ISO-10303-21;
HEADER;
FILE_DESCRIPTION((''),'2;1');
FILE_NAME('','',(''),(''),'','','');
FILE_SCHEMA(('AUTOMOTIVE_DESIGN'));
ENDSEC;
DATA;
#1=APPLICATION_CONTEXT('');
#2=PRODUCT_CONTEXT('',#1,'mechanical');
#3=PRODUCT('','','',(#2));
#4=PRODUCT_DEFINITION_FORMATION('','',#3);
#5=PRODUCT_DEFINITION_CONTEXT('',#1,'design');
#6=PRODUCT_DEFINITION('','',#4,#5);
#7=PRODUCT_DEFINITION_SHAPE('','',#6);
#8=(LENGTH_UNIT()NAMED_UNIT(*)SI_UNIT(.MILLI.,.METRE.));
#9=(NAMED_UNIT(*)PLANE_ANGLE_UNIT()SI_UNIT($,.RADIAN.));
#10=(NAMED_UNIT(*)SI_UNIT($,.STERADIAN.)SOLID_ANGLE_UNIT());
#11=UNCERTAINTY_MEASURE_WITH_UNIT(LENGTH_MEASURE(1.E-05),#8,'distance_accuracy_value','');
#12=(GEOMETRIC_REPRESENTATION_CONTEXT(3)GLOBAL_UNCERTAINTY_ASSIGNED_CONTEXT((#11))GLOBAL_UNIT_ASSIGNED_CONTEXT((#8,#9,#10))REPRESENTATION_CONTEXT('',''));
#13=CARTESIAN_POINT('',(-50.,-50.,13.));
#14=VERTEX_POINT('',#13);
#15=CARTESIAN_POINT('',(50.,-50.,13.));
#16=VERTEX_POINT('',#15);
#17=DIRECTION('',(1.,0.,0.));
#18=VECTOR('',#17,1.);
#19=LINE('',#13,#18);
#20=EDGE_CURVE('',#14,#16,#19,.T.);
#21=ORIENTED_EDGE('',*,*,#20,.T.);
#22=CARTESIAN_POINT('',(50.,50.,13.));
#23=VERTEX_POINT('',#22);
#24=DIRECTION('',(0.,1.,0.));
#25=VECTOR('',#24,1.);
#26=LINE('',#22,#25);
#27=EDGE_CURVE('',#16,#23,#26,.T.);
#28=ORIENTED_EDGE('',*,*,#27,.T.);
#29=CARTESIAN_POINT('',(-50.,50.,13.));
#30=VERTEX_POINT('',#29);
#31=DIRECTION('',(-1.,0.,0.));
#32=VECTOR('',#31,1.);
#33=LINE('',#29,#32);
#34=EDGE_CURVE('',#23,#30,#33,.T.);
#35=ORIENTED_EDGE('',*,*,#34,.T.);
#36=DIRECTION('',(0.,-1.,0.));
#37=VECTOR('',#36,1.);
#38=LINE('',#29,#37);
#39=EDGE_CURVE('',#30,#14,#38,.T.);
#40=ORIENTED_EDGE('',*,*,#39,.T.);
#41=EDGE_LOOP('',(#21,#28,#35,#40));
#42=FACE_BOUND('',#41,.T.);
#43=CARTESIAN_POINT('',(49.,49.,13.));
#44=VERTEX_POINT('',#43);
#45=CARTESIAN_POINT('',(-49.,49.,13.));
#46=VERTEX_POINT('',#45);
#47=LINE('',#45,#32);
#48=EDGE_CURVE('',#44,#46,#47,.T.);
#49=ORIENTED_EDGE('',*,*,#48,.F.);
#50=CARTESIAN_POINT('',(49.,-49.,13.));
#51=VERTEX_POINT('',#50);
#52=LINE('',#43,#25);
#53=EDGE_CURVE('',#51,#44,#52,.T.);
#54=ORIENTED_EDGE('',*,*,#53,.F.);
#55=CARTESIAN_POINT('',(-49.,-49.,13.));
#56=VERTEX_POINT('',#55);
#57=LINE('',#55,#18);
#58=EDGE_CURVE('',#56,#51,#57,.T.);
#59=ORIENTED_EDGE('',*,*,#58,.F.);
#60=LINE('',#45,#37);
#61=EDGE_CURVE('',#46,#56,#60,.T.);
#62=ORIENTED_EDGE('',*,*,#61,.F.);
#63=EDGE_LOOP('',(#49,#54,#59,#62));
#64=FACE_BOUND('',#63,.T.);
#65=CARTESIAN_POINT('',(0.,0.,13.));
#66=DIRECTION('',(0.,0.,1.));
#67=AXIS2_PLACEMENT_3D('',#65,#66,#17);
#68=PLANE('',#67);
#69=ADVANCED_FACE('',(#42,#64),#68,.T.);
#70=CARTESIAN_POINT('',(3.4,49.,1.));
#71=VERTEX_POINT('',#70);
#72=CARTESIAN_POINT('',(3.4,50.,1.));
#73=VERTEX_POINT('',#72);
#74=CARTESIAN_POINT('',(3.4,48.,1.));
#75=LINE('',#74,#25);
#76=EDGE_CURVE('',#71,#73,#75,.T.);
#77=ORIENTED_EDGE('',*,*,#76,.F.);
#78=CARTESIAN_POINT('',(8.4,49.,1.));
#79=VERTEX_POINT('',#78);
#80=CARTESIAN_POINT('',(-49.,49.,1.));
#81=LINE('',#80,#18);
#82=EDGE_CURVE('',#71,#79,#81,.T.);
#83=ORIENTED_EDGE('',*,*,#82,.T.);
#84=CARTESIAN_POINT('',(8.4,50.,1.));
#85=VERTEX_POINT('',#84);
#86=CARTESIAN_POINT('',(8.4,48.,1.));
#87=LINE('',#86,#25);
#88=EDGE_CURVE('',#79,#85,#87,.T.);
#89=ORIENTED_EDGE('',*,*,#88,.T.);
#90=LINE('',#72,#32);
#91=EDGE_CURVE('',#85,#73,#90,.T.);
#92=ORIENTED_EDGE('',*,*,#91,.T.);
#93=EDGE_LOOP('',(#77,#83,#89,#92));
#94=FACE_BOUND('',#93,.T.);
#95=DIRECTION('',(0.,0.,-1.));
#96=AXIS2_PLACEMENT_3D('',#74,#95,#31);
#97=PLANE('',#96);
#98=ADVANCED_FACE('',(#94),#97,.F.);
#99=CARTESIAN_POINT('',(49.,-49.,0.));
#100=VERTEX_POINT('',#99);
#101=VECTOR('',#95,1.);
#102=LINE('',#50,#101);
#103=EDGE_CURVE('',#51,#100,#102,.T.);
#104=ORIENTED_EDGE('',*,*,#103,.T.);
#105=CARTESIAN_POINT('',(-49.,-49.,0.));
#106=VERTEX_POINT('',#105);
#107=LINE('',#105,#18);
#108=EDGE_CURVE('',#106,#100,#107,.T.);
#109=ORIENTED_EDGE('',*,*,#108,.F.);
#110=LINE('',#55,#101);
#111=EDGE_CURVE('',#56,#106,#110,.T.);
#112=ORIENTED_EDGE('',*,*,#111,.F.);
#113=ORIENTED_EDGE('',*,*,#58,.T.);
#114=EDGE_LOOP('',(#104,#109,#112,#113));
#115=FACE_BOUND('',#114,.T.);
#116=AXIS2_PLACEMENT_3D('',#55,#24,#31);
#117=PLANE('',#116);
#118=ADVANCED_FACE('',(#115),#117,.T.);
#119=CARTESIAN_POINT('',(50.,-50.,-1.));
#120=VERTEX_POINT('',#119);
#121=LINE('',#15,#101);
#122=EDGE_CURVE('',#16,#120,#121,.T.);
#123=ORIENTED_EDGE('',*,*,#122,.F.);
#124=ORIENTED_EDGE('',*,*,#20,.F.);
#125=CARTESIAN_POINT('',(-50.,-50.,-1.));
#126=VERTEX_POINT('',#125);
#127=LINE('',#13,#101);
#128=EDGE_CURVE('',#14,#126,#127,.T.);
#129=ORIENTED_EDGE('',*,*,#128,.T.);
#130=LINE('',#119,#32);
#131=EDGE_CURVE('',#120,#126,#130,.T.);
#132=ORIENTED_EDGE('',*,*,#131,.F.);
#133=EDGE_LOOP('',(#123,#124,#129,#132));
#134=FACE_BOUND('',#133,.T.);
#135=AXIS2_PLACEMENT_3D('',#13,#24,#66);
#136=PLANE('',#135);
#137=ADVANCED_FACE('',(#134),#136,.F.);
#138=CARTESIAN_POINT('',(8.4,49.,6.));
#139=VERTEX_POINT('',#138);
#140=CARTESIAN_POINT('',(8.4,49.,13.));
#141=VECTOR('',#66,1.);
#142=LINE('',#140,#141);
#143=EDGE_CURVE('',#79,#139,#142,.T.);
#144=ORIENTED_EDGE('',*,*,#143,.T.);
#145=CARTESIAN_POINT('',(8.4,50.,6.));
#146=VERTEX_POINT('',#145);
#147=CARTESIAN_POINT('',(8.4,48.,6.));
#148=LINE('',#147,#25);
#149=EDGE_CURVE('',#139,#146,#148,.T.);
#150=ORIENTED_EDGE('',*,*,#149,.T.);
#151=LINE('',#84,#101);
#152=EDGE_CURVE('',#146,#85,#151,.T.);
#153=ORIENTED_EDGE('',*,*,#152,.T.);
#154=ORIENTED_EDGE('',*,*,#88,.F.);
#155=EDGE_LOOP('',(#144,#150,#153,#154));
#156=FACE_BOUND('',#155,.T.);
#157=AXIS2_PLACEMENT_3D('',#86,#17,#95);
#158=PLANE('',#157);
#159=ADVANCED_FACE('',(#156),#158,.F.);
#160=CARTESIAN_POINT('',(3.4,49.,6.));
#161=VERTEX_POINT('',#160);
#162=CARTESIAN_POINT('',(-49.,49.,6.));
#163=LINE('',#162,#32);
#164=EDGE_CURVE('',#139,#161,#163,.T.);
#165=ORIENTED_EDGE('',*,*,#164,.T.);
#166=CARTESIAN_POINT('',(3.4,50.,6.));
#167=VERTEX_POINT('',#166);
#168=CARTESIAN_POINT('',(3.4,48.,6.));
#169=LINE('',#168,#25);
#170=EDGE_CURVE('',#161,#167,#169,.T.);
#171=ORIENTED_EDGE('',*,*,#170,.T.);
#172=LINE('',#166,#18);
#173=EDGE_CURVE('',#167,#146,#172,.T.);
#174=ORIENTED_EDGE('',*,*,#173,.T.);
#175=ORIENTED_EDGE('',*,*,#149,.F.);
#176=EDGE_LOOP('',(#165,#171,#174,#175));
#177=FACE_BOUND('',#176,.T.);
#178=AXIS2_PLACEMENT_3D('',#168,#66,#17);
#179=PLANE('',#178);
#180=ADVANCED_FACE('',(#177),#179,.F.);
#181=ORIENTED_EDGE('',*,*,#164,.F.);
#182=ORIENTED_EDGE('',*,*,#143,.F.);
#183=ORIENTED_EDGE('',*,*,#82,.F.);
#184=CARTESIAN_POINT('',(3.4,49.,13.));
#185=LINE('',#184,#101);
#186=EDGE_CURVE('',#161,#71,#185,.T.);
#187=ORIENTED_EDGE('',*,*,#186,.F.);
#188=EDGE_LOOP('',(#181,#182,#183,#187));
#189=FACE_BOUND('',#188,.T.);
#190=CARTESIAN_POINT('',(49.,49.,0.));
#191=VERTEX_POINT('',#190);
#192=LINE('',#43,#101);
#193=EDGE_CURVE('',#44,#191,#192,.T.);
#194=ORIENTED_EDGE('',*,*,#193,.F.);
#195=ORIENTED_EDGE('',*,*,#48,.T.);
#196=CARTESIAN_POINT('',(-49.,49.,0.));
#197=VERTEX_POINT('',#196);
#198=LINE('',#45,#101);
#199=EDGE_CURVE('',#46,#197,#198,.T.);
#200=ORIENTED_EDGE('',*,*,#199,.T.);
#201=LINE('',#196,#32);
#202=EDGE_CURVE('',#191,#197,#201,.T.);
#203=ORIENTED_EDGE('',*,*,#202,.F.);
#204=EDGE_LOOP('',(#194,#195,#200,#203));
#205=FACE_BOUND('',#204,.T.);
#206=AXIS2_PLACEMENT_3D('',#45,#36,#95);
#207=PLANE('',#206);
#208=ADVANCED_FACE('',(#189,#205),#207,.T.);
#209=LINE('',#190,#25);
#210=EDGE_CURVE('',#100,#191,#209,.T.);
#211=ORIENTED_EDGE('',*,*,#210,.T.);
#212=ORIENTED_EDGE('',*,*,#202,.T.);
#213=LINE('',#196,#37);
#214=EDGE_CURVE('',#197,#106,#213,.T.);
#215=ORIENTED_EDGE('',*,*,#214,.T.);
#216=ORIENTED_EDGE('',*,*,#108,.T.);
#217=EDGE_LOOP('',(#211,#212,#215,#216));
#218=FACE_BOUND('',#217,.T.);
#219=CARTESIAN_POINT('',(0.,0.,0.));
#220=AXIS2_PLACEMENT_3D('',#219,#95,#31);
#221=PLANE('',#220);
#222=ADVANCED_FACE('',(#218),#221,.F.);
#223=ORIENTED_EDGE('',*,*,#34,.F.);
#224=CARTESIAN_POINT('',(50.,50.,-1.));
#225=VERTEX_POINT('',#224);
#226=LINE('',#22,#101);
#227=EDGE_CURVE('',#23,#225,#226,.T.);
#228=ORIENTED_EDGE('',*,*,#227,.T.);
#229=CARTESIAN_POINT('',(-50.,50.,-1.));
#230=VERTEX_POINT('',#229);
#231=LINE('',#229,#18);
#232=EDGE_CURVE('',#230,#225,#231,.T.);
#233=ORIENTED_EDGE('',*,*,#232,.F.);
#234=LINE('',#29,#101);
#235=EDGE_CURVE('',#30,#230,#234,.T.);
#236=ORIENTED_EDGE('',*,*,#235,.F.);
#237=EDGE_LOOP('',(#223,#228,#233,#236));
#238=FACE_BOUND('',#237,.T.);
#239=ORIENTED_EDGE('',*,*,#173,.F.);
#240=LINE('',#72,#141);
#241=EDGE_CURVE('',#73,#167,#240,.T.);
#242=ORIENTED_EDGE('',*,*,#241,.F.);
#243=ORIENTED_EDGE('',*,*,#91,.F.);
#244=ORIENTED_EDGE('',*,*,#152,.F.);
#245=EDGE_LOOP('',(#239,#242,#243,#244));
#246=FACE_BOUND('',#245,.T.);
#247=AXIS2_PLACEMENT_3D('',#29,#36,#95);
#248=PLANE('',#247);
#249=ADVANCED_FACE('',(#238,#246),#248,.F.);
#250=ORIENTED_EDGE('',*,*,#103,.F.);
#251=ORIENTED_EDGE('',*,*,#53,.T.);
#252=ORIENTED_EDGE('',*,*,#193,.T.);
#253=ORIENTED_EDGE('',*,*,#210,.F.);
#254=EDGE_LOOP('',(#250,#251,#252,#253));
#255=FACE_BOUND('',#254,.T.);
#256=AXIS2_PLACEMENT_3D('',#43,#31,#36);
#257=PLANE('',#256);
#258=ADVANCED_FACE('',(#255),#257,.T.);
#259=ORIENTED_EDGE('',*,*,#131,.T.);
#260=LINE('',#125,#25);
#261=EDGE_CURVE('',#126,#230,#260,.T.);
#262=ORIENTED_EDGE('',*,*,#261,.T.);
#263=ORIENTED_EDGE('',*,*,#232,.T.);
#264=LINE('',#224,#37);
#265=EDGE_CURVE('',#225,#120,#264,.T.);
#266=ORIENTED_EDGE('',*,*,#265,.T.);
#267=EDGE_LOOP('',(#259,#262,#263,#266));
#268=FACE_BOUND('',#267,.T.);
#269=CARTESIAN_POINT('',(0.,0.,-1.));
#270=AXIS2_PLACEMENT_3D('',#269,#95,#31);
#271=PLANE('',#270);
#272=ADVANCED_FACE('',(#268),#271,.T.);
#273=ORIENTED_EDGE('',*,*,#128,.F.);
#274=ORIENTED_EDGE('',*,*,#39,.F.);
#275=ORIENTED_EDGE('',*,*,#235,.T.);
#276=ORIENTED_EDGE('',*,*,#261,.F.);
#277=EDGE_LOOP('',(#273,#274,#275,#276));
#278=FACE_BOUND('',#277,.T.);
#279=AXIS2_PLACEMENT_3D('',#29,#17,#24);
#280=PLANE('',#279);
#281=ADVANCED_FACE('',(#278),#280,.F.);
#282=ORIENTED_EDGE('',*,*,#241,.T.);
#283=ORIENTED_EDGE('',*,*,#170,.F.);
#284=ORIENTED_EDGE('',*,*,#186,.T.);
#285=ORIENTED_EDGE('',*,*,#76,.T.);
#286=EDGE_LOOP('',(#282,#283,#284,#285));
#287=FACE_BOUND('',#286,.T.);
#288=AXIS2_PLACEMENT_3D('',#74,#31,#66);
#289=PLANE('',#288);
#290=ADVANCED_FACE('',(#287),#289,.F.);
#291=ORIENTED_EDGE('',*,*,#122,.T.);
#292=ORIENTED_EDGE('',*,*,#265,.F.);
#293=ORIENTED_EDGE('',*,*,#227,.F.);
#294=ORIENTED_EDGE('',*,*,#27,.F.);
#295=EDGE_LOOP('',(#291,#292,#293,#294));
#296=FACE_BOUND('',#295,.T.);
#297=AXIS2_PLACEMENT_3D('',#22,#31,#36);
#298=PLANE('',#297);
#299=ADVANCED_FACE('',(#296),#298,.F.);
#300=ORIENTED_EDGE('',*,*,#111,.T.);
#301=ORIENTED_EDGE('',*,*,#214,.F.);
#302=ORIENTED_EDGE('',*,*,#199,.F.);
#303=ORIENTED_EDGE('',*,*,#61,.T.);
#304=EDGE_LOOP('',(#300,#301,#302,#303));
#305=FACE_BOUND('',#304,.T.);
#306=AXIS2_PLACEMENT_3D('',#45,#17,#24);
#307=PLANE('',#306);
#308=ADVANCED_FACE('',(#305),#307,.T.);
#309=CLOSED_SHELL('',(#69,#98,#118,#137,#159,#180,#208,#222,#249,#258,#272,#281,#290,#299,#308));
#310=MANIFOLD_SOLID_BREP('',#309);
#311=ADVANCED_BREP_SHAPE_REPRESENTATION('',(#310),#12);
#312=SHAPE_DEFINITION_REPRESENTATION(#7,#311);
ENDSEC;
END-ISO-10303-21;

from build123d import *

# Parameters (mm, degrees)
SKETCH1_W           = 100
SKETCH1_H           = 100
SKETCH1_W_2         = 98
SKETCH1_H_2         = 98
BOSS_EXTRUDE1_DEPTH = 13
SKETCH2_W           = 100
SKETCH2_H           = 100
BOSS_EXTRUDE2_DEPTH = 1
SKETCH3_W           = 5
SKETCH3_H           = 5
CUT_EXTRUDE1_DEPTH  = 2


with BuildPart() as part:
    # Sketch1 → Boss-Extrude1 (new body)
    with BuildSketch(Plane.XY):
        Rectangle(SKETCH1_W, SKETCH1_H)
        Rectangle(SKETCH1_W_2, SKETCH1_H_2, mode=Mode.SUBTRACT)
    extrude(amount=BOSS_EXTRUDE1_DEPTH)

    # Sketch2 → Boss-Extrude2 (add)
    with BuildSketch(Plane(origin=(0, 0, 0), x_dir=(-1, 0, 0), z_dir=(0, 0, -1))):
        Rectangle(SKETCH2_W, SKETCH2_H)
    extrude(amount=BOSS_EXTRUDE2_DEPTH)

    # Sketch3 → Cut-Extrude1 (cut)
    with BuildSketch(Plane(origin=(0, 50, 0), x_dir=(1, 0, 0), z_dir=(0, 1, 0))):
        with Locations((5.9, -3.5)):
            Rectangle(SKETCH3_W, SKETCH3_H)
    extrude(amount=-CUT_EXTRUDE1_DEPTH, mode=Mode.SUBTRACT)


solid = part.part
